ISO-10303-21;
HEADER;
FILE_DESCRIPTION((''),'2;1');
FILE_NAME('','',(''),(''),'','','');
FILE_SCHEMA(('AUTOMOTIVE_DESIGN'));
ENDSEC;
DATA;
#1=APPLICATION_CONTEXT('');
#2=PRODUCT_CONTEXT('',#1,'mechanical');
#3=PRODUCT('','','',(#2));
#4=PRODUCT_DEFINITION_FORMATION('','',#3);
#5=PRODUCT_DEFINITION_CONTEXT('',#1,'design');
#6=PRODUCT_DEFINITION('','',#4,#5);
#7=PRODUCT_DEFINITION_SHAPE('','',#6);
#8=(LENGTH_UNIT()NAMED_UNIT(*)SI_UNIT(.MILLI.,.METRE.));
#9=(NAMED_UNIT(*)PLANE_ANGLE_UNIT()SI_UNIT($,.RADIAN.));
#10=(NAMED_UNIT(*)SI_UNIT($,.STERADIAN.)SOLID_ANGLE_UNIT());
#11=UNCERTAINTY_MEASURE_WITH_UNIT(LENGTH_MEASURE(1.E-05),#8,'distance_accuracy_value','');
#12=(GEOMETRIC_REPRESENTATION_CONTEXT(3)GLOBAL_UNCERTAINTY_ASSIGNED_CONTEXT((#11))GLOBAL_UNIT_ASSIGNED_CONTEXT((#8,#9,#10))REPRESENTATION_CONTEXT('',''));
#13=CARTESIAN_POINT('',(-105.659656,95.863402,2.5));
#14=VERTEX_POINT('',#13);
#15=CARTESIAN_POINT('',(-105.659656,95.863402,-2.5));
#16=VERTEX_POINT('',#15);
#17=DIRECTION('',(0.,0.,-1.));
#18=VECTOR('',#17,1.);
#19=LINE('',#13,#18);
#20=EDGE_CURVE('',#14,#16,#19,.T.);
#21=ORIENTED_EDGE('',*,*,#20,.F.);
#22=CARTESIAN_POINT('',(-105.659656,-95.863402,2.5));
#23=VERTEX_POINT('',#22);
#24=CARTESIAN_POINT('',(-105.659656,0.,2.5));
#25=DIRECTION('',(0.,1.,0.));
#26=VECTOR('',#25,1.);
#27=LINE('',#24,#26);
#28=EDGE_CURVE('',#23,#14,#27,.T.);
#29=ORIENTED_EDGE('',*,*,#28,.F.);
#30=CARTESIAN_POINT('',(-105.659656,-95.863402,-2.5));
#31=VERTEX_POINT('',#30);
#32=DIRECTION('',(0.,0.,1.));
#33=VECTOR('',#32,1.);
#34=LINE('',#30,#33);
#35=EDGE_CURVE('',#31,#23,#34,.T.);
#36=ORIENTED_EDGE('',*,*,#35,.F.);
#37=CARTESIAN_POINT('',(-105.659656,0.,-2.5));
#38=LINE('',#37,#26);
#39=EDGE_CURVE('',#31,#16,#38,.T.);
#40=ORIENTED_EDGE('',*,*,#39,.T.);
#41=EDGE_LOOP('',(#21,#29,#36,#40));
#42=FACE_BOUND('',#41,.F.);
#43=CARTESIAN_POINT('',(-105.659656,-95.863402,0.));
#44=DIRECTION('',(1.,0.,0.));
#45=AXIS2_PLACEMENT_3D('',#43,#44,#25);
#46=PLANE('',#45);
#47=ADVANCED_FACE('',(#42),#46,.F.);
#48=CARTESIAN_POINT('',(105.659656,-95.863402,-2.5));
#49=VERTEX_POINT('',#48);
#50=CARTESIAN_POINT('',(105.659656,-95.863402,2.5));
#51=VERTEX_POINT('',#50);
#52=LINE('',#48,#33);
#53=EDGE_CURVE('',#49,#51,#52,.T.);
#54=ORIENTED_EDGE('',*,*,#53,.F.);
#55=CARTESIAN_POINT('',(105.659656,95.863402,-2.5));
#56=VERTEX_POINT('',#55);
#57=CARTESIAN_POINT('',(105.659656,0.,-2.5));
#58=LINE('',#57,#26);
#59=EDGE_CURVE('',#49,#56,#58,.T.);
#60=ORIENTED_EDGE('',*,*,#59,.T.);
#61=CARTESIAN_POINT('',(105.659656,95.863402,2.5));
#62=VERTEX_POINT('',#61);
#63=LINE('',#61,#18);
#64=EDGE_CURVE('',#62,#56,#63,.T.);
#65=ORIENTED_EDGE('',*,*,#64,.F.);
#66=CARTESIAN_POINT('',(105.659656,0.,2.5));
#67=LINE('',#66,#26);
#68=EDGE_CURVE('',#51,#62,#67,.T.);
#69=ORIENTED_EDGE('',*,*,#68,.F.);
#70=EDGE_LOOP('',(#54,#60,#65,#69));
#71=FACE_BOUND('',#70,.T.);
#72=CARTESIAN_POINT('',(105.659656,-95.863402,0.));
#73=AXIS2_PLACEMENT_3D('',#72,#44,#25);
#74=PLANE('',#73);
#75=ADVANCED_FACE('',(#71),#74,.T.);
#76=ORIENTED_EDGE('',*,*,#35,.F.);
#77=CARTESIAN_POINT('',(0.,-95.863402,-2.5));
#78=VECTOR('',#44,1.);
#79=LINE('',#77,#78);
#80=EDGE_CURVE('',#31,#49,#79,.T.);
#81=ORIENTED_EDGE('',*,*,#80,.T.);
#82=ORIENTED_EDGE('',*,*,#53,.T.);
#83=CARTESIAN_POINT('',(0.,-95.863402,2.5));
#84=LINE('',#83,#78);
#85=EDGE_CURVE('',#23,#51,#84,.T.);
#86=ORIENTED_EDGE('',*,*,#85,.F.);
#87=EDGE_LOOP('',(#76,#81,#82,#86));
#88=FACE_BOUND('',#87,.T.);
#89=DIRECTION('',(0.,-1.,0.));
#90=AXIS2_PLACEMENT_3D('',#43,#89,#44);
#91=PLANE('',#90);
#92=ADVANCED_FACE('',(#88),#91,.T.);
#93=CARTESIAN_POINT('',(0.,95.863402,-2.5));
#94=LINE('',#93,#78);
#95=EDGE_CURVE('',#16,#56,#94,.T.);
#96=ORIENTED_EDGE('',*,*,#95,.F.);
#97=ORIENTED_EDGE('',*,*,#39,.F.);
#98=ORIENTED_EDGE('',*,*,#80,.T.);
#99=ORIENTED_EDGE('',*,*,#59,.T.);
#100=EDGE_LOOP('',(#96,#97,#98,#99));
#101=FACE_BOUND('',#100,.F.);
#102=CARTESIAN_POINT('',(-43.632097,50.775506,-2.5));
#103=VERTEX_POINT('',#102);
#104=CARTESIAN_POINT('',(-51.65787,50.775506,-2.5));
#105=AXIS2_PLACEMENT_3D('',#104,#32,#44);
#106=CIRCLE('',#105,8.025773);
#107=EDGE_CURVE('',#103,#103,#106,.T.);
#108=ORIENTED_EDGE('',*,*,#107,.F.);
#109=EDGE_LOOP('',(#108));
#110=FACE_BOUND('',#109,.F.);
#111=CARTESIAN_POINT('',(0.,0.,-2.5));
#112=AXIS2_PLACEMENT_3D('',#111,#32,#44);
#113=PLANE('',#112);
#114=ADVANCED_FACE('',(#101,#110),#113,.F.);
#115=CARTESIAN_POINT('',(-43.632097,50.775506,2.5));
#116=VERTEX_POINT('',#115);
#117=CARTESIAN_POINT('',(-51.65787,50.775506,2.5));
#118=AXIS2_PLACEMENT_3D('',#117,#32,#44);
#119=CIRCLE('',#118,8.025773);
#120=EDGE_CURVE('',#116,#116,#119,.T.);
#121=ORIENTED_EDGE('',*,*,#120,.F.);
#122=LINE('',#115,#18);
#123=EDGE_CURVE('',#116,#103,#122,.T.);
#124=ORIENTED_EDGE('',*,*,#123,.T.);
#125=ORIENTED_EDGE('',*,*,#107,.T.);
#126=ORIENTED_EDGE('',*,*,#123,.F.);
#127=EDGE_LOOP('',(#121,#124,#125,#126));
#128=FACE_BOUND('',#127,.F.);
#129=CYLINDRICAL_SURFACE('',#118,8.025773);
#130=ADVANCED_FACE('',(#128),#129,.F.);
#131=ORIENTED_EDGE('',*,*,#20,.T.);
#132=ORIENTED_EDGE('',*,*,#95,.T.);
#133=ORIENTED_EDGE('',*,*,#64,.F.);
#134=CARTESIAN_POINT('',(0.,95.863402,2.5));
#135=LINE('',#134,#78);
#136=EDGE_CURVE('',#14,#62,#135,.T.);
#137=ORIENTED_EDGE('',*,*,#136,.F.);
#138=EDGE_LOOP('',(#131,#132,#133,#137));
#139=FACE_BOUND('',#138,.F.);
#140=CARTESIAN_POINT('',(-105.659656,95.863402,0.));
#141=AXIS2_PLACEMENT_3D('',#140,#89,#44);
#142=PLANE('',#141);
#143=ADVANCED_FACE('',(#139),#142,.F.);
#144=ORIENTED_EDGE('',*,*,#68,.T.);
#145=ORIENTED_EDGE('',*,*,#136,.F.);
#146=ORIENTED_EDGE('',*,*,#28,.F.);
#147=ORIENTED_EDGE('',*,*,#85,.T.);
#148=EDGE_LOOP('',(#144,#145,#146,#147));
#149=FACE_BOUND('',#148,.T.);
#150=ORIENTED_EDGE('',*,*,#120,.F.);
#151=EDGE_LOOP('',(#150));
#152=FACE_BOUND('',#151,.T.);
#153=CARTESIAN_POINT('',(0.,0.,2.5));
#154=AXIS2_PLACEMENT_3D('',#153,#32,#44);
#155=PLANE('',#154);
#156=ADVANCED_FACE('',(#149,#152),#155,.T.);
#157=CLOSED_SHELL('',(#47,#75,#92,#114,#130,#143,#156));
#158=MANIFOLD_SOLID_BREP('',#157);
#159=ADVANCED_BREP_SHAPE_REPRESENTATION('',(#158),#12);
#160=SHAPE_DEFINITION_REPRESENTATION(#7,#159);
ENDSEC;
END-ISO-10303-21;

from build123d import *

# Parameters (mm, degrees)
F0_W     = 211.319312
F0_H     = 191.726804
F1_DEPTH = 2.5
F2_R     = 8.025773
F3_DEPTH = 5.001


with BuildPart() as f1:
    # F0 (on Top) → F1 (new body, symmetric)
    with BuildSketch(Plane.XY):
        Rectangle(F0_W, F0_H)
    extrude(amount=F1_DEPTH, both=True)

    # F2 (on face) → F3 (cut, through all)
    with BuildSketch(Plane.XY.offset(2.5)):
        with Locations((-51.65787, 50.775506)):
            Circle(F2_R)
    extrude(amount=-F3_DEPTH, mode=Mode.SUBTRACT)


solid = f1.part
